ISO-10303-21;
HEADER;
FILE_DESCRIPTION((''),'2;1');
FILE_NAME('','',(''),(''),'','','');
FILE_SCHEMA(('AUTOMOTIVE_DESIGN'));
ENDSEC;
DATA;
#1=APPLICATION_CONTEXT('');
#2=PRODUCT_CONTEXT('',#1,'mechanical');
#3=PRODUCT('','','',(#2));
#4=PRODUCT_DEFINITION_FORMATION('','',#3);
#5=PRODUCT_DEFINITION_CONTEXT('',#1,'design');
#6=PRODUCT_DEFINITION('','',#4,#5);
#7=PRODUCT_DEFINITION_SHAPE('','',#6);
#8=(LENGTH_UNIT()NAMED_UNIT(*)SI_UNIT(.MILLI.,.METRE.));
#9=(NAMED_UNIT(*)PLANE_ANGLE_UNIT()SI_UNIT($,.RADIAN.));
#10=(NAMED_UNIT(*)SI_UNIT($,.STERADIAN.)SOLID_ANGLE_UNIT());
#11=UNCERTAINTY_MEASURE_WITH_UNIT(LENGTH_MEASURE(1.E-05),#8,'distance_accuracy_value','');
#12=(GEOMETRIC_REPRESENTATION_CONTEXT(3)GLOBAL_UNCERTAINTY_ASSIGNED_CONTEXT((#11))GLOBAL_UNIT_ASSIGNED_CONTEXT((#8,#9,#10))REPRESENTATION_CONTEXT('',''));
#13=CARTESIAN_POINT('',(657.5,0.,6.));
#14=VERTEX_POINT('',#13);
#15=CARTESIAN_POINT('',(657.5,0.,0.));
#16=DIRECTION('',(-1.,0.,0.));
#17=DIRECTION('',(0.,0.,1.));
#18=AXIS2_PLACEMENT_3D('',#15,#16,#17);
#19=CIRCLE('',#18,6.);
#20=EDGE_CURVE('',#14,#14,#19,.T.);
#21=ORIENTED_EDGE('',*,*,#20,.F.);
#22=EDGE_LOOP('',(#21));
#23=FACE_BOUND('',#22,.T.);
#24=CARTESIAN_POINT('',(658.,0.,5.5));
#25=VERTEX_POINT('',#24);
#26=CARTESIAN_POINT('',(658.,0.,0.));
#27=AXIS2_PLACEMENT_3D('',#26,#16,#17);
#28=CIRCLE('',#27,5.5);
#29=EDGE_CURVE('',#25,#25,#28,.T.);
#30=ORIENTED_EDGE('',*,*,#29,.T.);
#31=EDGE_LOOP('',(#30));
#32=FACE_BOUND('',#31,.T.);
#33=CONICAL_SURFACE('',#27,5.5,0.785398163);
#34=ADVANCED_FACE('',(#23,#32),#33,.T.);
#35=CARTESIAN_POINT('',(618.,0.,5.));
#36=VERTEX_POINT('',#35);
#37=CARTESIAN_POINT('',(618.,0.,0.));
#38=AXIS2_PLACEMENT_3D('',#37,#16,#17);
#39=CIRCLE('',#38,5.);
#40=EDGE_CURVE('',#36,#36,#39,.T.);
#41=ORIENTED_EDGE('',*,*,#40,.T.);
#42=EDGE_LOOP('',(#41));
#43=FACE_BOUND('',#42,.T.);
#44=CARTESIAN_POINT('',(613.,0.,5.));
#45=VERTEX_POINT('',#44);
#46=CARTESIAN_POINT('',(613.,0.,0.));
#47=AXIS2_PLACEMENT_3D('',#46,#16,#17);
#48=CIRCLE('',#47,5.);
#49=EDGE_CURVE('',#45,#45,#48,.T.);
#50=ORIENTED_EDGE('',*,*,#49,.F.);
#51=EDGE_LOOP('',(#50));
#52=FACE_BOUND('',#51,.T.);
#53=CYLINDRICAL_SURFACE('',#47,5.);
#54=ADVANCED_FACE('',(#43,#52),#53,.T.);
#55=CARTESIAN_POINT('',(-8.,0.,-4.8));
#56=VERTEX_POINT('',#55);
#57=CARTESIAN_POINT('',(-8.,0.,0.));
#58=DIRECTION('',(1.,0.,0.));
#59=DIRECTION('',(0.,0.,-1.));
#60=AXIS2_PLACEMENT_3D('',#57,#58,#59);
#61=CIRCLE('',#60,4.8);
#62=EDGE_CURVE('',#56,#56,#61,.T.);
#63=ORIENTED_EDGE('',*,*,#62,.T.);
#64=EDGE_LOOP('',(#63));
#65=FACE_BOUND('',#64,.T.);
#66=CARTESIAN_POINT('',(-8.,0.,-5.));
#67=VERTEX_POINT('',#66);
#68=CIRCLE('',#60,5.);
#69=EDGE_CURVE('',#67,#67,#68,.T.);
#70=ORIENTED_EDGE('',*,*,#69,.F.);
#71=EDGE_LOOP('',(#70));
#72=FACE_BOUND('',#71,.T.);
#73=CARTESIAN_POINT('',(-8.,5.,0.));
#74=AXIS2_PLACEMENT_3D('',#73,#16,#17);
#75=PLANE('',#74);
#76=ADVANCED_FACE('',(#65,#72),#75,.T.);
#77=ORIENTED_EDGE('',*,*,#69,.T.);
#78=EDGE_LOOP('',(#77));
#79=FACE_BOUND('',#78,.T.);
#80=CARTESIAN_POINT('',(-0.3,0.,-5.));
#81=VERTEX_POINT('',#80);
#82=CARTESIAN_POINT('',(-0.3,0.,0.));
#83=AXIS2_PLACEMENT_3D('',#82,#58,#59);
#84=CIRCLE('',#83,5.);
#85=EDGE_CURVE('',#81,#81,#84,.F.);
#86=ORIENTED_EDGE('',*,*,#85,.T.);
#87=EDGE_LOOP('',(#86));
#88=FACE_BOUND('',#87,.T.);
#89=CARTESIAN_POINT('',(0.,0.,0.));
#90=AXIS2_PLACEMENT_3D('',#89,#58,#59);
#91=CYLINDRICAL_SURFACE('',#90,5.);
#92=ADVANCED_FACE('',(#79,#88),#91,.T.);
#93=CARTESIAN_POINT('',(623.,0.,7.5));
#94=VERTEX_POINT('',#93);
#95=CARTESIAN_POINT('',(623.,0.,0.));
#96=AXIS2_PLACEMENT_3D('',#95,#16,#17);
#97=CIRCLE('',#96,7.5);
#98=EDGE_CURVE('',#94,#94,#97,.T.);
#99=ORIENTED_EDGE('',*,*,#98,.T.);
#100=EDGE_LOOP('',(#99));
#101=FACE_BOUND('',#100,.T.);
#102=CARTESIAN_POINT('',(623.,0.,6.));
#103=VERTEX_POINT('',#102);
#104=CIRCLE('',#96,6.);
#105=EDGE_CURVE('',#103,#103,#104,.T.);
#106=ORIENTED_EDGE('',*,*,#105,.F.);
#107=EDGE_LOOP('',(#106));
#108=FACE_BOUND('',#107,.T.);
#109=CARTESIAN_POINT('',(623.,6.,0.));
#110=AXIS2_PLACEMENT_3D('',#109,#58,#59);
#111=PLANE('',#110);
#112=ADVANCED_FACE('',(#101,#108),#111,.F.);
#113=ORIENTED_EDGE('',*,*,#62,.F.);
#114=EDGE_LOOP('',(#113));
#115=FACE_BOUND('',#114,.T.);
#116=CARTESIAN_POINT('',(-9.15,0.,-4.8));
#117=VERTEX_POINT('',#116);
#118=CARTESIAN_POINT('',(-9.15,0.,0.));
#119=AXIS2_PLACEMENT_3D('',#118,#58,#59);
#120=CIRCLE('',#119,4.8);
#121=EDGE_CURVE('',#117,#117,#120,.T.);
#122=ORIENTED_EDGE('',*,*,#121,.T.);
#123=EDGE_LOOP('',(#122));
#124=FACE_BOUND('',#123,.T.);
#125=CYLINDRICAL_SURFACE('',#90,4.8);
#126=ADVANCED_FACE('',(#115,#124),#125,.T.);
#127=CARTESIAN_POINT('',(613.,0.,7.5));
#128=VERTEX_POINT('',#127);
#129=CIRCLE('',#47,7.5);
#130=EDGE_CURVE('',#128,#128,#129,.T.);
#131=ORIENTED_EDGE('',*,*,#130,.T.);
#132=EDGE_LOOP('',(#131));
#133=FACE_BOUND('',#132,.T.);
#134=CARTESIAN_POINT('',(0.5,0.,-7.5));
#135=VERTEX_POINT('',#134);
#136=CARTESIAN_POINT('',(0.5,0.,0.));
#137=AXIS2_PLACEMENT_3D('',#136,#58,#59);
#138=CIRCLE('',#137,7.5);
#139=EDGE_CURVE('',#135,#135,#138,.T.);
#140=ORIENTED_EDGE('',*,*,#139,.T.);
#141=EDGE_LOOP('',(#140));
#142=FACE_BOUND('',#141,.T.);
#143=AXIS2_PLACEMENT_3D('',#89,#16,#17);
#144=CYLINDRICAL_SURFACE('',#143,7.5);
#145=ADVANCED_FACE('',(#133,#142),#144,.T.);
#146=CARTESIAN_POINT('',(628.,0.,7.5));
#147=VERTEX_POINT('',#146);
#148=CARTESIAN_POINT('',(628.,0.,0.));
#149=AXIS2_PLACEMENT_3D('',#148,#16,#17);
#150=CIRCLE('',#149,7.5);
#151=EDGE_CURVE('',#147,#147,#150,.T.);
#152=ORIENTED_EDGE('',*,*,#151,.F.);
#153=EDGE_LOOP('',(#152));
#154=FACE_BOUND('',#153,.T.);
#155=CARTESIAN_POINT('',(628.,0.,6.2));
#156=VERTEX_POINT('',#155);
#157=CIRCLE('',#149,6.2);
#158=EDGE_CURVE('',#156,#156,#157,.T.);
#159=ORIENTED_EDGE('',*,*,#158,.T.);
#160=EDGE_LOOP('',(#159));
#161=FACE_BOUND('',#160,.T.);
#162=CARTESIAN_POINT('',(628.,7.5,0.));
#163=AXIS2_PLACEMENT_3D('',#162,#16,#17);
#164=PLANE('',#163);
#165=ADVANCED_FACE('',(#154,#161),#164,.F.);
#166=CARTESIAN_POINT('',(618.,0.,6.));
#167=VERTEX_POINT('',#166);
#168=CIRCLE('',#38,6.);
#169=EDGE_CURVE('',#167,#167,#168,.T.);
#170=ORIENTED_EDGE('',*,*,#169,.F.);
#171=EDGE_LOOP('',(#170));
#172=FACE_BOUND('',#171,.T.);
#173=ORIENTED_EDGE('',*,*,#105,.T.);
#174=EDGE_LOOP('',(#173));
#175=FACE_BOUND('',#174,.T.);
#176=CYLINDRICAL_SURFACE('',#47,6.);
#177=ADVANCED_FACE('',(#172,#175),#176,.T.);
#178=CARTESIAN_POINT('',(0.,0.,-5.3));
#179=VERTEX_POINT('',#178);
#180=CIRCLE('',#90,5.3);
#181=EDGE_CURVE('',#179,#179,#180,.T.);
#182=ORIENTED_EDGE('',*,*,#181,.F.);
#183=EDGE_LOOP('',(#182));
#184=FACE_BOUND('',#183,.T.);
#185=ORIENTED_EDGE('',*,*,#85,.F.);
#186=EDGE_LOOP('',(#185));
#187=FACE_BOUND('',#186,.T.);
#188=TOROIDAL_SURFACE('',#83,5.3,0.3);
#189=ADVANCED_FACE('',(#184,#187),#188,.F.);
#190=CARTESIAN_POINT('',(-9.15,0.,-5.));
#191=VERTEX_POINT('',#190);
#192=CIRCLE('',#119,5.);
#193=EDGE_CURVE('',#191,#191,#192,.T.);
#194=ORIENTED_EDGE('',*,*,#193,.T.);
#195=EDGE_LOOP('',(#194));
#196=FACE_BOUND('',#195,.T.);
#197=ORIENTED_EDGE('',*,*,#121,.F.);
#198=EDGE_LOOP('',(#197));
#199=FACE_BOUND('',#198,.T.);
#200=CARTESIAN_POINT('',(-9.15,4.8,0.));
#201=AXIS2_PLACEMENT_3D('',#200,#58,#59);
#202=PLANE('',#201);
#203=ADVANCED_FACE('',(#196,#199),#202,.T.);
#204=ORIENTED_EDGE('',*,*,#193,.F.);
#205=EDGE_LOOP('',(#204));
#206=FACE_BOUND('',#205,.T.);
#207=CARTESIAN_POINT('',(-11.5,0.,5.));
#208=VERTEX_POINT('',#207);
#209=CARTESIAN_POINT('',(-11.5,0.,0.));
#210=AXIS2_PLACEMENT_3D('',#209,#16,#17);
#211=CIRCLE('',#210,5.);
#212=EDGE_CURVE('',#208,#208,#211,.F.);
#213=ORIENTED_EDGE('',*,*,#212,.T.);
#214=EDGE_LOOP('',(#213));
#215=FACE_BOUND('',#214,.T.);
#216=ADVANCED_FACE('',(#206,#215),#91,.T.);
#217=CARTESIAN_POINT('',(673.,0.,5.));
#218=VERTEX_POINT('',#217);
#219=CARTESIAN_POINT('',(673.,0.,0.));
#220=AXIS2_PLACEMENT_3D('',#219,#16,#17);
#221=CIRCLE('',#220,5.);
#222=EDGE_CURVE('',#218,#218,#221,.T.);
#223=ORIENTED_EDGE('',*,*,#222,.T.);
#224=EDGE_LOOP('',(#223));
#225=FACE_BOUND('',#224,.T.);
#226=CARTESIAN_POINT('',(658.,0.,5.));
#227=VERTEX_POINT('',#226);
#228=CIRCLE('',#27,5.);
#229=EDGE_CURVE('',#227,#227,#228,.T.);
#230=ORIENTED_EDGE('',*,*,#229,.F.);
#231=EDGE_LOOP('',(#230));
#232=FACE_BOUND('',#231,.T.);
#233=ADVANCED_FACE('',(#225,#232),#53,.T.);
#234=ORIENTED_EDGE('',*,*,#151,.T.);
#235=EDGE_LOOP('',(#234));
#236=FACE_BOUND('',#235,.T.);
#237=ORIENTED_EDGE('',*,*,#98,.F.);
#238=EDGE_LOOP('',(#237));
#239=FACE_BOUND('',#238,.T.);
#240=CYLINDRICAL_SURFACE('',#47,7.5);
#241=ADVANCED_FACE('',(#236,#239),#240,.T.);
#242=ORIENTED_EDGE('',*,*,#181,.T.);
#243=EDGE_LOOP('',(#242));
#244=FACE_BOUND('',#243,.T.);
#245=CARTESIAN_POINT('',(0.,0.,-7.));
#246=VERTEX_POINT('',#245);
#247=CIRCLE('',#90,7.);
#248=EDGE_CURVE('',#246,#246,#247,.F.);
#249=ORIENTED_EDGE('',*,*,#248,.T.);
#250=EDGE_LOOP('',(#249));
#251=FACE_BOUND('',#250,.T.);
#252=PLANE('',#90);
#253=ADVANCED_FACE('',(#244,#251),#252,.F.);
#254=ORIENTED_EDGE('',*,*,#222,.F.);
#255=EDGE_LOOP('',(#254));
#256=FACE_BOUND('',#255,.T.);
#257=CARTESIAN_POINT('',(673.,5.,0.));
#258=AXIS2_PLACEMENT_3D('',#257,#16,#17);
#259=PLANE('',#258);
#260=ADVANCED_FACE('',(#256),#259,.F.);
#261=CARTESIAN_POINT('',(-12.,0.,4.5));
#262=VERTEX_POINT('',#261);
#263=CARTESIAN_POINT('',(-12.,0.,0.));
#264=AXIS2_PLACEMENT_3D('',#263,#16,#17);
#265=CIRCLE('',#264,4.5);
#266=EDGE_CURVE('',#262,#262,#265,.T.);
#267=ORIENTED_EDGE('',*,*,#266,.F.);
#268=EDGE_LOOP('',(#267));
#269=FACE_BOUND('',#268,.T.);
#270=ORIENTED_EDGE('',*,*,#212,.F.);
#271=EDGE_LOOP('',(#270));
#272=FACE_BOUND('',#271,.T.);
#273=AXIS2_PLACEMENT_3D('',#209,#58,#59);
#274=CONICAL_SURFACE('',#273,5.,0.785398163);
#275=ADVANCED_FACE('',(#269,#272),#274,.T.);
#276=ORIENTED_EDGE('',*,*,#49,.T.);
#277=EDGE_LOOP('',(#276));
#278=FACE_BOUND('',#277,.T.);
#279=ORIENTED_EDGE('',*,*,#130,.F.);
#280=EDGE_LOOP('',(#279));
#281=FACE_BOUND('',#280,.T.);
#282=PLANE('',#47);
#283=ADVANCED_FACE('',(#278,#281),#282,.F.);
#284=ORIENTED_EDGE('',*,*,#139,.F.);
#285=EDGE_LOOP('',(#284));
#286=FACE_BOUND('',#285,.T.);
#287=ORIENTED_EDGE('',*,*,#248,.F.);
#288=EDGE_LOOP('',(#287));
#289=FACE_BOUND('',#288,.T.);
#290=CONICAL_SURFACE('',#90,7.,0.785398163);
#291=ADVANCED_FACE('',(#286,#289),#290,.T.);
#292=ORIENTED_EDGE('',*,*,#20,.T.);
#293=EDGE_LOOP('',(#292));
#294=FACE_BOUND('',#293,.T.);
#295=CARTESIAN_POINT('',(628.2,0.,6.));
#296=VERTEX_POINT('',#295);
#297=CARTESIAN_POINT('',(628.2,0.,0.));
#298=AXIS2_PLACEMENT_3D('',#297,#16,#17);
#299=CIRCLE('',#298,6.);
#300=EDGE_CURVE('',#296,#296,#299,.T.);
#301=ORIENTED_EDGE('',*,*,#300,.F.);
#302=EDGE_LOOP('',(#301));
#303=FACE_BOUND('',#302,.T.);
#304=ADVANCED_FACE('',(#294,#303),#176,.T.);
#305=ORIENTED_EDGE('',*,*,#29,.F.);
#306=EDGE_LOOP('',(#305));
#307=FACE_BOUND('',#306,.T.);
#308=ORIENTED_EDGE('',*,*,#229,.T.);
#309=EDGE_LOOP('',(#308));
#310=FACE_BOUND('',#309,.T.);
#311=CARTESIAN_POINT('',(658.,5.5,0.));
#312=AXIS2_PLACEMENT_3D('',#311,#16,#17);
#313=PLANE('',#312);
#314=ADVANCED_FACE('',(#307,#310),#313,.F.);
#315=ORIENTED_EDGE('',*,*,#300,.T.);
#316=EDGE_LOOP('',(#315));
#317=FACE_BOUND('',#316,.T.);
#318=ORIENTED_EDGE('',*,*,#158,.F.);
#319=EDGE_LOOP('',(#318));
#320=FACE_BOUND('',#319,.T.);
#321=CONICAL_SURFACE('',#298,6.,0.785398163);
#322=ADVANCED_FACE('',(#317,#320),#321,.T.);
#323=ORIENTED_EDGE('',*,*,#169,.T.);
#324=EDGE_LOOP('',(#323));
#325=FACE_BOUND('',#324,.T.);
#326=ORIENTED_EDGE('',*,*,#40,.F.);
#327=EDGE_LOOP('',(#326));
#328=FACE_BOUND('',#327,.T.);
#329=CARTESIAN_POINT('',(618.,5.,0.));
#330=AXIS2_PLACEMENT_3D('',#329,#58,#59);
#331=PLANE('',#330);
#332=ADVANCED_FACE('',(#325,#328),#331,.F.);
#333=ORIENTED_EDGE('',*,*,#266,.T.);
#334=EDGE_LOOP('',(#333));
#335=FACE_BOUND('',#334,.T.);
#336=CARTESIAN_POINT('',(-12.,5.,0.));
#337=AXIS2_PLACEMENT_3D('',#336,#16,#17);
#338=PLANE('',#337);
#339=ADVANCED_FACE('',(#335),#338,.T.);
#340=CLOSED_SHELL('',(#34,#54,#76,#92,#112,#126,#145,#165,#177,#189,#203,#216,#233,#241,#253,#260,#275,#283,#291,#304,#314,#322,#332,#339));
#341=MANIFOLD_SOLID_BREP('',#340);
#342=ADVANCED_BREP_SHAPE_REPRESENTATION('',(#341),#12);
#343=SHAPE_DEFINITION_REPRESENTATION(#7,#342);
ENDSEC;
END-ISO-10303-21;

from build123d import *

# Parameters (mm, degrees)
SKETCH_1_W     = 613
SKETCH_1_H     = 7.5
FILLET_1_R     = 0.3
CHAMFER_1_SIZE = 0.5


with BuildPart() as part:
    # 스케치1 → 회전1 (revolve)
    with BuildSketch(Plane.XY, mode=Mode.PRIVATE) as revolve_1_sk:
        with Locations((306.5, 3.75)):
            Rectangle(SKETCH_1_W, SKETCH_1_H)
    revolve(revolve_1_sk.sketch.rotate(Axis((0, 0, 0), (1, 0, 0)), 90), axis=Axis((0, 0, 0), (1, 0, 0)))

    # 스케치2 → 회전3 (revolve)
    with BuildSketch(Plane.XY, mode=Mode.PRIVATE) as revolve_3_sk:
        Polygon((613, 5), (618, 5), (618, 6), (623, 6), (623, 7.5), (628, 7.5), (628, 6.2), (628.2, 6), (657.5, 6), (658, 5.5), (658, 5), (673, 5), (673, 0), (613, 0), align=None)
    revolve(revolve_3_sk.sketch.rotate(Axis((613, 0, 0), (1, 0, 0)), 90), axis=Axis((613, 0, 0), (1, 0, 0)))

    # 스케치3 → 회전4 (revolve)
    with BuildSketch(Plane.XY, mode=Mode.PRIVATE) as revolve_4_sk:
        Polygon((0, 5), (-8, 5), (-8, 4.8), (-9.15, 4.8), (-9.15, 5), (-12, 5), (-12, 0), (0, 0), align=None)
    revolve(revolve_4_sk.sketch.rotate(Axis((0, 0, 0), (-1, 0, 0)), 90), axis=Axis((0, 0, 0), (-1, 0, 0)))

    # 필렛1
    fillet_1_edges = [part.edges().sort_by_distance(p)[0] for p in [
        (0, 0, 5),
    ]]
    fillet(fillet_1_edges, radius=FILLET_1_R)

    # 모따기1
    chamfer_1_edges = [part.edges().sort_by_distance(p)[0] for p in [
        (-12, 0, 5),
        (0, 0, -7.5),
    ]]
    chamfer(chamfer_1_edges, length=CHAMFER_1_SIZE)


solid = part.part
